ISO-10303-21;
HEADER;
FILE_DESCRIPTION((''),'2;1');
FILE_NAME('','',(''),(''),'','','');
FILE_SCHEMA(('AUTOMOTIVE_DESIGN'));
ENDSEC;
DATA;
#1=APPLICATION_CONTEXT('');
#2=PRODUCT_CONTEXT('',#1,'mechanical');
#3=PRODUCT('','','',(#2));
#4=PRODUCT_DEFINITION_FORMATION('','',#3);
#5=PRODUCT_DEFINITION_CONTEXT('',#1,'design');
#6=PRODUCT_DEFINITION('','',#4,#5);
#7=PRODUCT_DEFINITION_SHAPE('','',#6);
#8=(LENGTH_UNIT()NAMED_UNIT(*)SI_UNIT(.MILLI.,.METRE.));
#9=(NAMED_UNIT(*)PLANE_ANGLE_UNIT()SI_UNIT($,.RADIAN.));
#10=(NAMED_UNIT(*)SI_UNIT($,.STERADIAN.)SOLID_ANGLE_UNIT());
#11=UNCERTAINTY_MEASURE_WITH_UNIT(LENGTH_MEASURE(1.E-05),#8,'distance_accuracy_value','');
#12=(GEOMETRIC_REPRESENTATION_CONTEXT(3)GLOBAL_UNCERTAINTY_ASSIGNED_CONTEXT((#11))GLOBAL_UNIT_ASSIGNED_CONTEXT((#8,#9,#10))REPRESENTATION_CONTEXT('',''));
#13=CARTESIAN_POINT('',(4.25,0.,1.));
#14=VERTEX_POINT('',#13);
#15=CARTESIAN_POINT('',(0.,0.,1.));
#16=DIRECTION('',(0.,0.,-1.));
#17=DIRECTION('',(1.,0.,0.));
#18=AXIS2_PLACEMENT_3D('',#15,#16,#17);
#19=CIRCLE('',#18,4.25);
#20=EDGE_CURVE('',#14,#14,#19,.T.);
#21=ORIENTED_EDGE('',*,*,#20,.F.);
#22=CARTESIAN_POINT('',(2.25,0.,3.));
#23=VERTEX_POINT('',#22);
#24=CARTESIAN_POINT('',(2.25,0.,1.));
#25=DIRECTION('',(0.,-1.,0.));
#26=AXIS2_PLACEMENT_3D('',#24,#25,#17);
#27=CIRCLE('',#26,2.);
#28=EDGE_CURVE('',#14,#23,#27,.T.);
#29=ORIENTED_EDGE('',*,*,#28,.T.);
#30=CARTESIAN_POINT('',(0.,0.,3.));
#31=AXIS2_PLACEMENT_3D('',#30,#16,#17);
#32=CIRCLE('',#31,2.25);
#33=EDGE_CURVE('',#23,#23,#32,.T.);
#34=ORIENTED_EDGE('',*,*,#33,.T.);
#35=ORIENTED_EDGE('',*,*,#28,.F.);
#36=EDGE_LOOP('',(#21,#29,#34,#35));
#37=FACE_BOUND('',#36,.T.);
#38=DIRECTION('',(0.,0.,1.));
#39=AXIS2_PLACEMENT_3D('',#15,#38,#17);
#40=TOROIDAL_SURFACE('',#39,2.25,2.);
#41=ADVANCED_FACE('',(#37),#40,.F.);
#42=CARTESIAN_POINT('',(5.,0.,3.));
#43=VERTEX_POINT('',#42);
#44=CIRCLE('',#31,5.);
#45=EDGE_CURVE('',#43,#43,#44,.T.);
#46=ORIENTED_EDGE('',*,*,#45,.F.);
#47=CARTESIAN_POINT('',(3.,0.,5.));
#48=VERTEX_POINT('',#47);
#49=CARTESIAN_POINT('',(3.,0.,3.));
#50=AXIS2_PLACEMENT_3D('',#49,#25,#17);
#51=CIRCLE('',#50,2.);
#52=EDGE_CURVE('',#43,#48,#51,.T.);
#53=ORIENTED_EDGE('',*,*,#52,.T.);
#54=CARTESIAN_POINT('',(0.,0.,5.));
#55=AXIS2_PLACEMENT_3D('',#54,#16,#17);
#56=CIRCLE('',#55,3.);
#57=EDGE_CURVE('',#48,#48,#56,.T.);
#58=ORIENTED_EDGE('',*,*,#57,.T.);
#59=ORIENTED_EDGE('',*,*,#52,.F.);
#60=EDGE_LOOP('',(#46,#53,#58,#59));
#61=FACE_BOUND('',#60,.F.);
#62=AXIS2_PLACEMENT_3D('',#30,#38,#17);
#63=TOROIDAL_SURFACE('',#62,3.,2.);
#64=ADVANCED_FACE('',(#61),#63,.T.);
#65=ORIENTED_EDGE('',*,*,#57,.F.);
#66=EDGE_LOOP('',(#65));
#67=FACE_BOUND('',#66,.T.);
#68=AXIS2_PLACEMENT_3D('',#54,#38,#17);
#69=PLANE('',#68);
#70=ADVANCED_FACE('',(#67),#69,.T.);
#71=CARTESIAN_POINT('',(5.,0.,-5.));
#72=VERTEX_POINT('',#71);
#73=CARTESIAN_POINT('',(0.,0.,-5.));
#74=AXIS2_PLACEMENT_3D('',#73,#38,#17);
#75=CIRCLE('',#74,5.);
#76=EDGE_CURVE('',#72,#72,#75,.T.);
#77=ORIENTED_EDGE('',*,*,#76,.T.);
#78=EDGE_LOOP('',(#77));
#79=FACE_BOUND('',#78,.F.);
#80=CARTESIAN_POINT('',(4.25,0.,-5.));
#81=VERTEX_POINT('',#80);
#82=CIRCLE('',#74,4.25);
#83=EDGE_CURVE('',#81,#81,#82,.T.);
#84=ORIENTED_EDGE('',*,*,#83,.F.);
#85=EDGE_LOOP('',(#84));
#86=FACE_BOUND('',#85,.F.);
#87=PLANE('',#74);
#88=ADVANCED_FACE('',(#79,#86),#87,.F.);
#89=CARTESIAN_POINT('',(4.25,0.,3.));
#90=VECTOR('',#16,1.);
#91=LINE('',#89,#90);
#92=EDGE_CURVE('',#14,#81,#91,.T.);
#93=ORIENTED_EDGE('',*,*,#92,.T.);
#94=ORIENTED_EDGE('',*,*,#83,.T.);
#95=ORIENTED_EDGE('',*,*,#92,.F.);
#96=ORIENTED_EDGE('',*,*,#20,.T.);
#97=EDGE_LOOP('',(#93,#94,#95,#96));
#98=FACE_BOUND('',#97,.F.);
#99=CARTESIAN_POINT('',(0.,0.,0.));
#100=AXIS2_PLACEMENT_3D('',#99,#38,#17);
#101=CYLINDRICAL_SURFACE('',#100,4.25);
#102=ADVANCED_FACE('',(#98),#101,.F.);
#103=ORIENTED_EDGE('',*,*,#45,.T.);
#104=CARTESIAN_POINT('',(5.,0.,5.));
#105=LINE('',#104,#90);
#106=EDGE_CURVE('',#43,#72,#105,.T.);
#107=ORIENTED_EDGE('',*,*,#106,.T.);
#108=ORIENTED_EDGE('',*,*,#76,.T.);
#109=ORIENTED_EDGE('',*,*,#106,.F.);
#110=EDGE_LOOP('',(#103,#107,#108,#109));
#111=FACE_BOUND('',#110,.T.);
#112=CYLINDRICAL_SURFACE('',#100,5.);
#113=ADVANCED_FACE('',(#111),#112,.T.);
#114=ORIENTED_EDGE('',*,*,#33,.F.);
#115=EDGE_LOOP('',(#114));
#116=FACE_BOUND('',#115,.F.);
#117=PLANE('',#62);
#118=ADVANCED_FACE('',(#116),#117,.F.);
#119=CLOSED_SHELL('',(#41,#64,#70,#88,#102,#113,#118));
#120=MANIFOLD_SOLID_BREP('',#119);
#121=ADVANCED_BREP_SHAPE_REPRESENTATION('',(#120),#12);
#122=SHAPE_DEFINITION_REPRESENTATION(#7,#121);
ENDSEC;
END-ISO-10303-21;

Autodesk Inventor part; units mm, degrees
sketch "Skizze1" plane through (0, 0, 0) normal (0, 0, 1) x (1, 0, 0)
  circle A0 centre (0, 0) radius 5
  line L0 (0, 81.3997) -> (0, -19.4) projected
  circle A1 centre (0, 0) radius 4.25
  point P0 (37.012, 66.9998)
  dimension "d0" = 10
  dimension "d1" = 8.5
extrude "Extrusion1" add sketch "Skizze1" along normal mid plane 10 contours A0 L0 A1 | L0 A1 A0
sketch "Skizze2" plane through (0, 0, 5) normal (0, 0, 1) x (1, 0, 0)
  circle A0 centre (0, 0) radius 5 projected
extrude "Extrusion2" add sketch "Skizze2" against normal blind 2
fillet "Rundung1" radius 2 1 edges at (-4.25, 0, 3)
fillet "Rundung2" radius 2 1 edges at (-5, 0, 5)
properties part number "Sirene"
